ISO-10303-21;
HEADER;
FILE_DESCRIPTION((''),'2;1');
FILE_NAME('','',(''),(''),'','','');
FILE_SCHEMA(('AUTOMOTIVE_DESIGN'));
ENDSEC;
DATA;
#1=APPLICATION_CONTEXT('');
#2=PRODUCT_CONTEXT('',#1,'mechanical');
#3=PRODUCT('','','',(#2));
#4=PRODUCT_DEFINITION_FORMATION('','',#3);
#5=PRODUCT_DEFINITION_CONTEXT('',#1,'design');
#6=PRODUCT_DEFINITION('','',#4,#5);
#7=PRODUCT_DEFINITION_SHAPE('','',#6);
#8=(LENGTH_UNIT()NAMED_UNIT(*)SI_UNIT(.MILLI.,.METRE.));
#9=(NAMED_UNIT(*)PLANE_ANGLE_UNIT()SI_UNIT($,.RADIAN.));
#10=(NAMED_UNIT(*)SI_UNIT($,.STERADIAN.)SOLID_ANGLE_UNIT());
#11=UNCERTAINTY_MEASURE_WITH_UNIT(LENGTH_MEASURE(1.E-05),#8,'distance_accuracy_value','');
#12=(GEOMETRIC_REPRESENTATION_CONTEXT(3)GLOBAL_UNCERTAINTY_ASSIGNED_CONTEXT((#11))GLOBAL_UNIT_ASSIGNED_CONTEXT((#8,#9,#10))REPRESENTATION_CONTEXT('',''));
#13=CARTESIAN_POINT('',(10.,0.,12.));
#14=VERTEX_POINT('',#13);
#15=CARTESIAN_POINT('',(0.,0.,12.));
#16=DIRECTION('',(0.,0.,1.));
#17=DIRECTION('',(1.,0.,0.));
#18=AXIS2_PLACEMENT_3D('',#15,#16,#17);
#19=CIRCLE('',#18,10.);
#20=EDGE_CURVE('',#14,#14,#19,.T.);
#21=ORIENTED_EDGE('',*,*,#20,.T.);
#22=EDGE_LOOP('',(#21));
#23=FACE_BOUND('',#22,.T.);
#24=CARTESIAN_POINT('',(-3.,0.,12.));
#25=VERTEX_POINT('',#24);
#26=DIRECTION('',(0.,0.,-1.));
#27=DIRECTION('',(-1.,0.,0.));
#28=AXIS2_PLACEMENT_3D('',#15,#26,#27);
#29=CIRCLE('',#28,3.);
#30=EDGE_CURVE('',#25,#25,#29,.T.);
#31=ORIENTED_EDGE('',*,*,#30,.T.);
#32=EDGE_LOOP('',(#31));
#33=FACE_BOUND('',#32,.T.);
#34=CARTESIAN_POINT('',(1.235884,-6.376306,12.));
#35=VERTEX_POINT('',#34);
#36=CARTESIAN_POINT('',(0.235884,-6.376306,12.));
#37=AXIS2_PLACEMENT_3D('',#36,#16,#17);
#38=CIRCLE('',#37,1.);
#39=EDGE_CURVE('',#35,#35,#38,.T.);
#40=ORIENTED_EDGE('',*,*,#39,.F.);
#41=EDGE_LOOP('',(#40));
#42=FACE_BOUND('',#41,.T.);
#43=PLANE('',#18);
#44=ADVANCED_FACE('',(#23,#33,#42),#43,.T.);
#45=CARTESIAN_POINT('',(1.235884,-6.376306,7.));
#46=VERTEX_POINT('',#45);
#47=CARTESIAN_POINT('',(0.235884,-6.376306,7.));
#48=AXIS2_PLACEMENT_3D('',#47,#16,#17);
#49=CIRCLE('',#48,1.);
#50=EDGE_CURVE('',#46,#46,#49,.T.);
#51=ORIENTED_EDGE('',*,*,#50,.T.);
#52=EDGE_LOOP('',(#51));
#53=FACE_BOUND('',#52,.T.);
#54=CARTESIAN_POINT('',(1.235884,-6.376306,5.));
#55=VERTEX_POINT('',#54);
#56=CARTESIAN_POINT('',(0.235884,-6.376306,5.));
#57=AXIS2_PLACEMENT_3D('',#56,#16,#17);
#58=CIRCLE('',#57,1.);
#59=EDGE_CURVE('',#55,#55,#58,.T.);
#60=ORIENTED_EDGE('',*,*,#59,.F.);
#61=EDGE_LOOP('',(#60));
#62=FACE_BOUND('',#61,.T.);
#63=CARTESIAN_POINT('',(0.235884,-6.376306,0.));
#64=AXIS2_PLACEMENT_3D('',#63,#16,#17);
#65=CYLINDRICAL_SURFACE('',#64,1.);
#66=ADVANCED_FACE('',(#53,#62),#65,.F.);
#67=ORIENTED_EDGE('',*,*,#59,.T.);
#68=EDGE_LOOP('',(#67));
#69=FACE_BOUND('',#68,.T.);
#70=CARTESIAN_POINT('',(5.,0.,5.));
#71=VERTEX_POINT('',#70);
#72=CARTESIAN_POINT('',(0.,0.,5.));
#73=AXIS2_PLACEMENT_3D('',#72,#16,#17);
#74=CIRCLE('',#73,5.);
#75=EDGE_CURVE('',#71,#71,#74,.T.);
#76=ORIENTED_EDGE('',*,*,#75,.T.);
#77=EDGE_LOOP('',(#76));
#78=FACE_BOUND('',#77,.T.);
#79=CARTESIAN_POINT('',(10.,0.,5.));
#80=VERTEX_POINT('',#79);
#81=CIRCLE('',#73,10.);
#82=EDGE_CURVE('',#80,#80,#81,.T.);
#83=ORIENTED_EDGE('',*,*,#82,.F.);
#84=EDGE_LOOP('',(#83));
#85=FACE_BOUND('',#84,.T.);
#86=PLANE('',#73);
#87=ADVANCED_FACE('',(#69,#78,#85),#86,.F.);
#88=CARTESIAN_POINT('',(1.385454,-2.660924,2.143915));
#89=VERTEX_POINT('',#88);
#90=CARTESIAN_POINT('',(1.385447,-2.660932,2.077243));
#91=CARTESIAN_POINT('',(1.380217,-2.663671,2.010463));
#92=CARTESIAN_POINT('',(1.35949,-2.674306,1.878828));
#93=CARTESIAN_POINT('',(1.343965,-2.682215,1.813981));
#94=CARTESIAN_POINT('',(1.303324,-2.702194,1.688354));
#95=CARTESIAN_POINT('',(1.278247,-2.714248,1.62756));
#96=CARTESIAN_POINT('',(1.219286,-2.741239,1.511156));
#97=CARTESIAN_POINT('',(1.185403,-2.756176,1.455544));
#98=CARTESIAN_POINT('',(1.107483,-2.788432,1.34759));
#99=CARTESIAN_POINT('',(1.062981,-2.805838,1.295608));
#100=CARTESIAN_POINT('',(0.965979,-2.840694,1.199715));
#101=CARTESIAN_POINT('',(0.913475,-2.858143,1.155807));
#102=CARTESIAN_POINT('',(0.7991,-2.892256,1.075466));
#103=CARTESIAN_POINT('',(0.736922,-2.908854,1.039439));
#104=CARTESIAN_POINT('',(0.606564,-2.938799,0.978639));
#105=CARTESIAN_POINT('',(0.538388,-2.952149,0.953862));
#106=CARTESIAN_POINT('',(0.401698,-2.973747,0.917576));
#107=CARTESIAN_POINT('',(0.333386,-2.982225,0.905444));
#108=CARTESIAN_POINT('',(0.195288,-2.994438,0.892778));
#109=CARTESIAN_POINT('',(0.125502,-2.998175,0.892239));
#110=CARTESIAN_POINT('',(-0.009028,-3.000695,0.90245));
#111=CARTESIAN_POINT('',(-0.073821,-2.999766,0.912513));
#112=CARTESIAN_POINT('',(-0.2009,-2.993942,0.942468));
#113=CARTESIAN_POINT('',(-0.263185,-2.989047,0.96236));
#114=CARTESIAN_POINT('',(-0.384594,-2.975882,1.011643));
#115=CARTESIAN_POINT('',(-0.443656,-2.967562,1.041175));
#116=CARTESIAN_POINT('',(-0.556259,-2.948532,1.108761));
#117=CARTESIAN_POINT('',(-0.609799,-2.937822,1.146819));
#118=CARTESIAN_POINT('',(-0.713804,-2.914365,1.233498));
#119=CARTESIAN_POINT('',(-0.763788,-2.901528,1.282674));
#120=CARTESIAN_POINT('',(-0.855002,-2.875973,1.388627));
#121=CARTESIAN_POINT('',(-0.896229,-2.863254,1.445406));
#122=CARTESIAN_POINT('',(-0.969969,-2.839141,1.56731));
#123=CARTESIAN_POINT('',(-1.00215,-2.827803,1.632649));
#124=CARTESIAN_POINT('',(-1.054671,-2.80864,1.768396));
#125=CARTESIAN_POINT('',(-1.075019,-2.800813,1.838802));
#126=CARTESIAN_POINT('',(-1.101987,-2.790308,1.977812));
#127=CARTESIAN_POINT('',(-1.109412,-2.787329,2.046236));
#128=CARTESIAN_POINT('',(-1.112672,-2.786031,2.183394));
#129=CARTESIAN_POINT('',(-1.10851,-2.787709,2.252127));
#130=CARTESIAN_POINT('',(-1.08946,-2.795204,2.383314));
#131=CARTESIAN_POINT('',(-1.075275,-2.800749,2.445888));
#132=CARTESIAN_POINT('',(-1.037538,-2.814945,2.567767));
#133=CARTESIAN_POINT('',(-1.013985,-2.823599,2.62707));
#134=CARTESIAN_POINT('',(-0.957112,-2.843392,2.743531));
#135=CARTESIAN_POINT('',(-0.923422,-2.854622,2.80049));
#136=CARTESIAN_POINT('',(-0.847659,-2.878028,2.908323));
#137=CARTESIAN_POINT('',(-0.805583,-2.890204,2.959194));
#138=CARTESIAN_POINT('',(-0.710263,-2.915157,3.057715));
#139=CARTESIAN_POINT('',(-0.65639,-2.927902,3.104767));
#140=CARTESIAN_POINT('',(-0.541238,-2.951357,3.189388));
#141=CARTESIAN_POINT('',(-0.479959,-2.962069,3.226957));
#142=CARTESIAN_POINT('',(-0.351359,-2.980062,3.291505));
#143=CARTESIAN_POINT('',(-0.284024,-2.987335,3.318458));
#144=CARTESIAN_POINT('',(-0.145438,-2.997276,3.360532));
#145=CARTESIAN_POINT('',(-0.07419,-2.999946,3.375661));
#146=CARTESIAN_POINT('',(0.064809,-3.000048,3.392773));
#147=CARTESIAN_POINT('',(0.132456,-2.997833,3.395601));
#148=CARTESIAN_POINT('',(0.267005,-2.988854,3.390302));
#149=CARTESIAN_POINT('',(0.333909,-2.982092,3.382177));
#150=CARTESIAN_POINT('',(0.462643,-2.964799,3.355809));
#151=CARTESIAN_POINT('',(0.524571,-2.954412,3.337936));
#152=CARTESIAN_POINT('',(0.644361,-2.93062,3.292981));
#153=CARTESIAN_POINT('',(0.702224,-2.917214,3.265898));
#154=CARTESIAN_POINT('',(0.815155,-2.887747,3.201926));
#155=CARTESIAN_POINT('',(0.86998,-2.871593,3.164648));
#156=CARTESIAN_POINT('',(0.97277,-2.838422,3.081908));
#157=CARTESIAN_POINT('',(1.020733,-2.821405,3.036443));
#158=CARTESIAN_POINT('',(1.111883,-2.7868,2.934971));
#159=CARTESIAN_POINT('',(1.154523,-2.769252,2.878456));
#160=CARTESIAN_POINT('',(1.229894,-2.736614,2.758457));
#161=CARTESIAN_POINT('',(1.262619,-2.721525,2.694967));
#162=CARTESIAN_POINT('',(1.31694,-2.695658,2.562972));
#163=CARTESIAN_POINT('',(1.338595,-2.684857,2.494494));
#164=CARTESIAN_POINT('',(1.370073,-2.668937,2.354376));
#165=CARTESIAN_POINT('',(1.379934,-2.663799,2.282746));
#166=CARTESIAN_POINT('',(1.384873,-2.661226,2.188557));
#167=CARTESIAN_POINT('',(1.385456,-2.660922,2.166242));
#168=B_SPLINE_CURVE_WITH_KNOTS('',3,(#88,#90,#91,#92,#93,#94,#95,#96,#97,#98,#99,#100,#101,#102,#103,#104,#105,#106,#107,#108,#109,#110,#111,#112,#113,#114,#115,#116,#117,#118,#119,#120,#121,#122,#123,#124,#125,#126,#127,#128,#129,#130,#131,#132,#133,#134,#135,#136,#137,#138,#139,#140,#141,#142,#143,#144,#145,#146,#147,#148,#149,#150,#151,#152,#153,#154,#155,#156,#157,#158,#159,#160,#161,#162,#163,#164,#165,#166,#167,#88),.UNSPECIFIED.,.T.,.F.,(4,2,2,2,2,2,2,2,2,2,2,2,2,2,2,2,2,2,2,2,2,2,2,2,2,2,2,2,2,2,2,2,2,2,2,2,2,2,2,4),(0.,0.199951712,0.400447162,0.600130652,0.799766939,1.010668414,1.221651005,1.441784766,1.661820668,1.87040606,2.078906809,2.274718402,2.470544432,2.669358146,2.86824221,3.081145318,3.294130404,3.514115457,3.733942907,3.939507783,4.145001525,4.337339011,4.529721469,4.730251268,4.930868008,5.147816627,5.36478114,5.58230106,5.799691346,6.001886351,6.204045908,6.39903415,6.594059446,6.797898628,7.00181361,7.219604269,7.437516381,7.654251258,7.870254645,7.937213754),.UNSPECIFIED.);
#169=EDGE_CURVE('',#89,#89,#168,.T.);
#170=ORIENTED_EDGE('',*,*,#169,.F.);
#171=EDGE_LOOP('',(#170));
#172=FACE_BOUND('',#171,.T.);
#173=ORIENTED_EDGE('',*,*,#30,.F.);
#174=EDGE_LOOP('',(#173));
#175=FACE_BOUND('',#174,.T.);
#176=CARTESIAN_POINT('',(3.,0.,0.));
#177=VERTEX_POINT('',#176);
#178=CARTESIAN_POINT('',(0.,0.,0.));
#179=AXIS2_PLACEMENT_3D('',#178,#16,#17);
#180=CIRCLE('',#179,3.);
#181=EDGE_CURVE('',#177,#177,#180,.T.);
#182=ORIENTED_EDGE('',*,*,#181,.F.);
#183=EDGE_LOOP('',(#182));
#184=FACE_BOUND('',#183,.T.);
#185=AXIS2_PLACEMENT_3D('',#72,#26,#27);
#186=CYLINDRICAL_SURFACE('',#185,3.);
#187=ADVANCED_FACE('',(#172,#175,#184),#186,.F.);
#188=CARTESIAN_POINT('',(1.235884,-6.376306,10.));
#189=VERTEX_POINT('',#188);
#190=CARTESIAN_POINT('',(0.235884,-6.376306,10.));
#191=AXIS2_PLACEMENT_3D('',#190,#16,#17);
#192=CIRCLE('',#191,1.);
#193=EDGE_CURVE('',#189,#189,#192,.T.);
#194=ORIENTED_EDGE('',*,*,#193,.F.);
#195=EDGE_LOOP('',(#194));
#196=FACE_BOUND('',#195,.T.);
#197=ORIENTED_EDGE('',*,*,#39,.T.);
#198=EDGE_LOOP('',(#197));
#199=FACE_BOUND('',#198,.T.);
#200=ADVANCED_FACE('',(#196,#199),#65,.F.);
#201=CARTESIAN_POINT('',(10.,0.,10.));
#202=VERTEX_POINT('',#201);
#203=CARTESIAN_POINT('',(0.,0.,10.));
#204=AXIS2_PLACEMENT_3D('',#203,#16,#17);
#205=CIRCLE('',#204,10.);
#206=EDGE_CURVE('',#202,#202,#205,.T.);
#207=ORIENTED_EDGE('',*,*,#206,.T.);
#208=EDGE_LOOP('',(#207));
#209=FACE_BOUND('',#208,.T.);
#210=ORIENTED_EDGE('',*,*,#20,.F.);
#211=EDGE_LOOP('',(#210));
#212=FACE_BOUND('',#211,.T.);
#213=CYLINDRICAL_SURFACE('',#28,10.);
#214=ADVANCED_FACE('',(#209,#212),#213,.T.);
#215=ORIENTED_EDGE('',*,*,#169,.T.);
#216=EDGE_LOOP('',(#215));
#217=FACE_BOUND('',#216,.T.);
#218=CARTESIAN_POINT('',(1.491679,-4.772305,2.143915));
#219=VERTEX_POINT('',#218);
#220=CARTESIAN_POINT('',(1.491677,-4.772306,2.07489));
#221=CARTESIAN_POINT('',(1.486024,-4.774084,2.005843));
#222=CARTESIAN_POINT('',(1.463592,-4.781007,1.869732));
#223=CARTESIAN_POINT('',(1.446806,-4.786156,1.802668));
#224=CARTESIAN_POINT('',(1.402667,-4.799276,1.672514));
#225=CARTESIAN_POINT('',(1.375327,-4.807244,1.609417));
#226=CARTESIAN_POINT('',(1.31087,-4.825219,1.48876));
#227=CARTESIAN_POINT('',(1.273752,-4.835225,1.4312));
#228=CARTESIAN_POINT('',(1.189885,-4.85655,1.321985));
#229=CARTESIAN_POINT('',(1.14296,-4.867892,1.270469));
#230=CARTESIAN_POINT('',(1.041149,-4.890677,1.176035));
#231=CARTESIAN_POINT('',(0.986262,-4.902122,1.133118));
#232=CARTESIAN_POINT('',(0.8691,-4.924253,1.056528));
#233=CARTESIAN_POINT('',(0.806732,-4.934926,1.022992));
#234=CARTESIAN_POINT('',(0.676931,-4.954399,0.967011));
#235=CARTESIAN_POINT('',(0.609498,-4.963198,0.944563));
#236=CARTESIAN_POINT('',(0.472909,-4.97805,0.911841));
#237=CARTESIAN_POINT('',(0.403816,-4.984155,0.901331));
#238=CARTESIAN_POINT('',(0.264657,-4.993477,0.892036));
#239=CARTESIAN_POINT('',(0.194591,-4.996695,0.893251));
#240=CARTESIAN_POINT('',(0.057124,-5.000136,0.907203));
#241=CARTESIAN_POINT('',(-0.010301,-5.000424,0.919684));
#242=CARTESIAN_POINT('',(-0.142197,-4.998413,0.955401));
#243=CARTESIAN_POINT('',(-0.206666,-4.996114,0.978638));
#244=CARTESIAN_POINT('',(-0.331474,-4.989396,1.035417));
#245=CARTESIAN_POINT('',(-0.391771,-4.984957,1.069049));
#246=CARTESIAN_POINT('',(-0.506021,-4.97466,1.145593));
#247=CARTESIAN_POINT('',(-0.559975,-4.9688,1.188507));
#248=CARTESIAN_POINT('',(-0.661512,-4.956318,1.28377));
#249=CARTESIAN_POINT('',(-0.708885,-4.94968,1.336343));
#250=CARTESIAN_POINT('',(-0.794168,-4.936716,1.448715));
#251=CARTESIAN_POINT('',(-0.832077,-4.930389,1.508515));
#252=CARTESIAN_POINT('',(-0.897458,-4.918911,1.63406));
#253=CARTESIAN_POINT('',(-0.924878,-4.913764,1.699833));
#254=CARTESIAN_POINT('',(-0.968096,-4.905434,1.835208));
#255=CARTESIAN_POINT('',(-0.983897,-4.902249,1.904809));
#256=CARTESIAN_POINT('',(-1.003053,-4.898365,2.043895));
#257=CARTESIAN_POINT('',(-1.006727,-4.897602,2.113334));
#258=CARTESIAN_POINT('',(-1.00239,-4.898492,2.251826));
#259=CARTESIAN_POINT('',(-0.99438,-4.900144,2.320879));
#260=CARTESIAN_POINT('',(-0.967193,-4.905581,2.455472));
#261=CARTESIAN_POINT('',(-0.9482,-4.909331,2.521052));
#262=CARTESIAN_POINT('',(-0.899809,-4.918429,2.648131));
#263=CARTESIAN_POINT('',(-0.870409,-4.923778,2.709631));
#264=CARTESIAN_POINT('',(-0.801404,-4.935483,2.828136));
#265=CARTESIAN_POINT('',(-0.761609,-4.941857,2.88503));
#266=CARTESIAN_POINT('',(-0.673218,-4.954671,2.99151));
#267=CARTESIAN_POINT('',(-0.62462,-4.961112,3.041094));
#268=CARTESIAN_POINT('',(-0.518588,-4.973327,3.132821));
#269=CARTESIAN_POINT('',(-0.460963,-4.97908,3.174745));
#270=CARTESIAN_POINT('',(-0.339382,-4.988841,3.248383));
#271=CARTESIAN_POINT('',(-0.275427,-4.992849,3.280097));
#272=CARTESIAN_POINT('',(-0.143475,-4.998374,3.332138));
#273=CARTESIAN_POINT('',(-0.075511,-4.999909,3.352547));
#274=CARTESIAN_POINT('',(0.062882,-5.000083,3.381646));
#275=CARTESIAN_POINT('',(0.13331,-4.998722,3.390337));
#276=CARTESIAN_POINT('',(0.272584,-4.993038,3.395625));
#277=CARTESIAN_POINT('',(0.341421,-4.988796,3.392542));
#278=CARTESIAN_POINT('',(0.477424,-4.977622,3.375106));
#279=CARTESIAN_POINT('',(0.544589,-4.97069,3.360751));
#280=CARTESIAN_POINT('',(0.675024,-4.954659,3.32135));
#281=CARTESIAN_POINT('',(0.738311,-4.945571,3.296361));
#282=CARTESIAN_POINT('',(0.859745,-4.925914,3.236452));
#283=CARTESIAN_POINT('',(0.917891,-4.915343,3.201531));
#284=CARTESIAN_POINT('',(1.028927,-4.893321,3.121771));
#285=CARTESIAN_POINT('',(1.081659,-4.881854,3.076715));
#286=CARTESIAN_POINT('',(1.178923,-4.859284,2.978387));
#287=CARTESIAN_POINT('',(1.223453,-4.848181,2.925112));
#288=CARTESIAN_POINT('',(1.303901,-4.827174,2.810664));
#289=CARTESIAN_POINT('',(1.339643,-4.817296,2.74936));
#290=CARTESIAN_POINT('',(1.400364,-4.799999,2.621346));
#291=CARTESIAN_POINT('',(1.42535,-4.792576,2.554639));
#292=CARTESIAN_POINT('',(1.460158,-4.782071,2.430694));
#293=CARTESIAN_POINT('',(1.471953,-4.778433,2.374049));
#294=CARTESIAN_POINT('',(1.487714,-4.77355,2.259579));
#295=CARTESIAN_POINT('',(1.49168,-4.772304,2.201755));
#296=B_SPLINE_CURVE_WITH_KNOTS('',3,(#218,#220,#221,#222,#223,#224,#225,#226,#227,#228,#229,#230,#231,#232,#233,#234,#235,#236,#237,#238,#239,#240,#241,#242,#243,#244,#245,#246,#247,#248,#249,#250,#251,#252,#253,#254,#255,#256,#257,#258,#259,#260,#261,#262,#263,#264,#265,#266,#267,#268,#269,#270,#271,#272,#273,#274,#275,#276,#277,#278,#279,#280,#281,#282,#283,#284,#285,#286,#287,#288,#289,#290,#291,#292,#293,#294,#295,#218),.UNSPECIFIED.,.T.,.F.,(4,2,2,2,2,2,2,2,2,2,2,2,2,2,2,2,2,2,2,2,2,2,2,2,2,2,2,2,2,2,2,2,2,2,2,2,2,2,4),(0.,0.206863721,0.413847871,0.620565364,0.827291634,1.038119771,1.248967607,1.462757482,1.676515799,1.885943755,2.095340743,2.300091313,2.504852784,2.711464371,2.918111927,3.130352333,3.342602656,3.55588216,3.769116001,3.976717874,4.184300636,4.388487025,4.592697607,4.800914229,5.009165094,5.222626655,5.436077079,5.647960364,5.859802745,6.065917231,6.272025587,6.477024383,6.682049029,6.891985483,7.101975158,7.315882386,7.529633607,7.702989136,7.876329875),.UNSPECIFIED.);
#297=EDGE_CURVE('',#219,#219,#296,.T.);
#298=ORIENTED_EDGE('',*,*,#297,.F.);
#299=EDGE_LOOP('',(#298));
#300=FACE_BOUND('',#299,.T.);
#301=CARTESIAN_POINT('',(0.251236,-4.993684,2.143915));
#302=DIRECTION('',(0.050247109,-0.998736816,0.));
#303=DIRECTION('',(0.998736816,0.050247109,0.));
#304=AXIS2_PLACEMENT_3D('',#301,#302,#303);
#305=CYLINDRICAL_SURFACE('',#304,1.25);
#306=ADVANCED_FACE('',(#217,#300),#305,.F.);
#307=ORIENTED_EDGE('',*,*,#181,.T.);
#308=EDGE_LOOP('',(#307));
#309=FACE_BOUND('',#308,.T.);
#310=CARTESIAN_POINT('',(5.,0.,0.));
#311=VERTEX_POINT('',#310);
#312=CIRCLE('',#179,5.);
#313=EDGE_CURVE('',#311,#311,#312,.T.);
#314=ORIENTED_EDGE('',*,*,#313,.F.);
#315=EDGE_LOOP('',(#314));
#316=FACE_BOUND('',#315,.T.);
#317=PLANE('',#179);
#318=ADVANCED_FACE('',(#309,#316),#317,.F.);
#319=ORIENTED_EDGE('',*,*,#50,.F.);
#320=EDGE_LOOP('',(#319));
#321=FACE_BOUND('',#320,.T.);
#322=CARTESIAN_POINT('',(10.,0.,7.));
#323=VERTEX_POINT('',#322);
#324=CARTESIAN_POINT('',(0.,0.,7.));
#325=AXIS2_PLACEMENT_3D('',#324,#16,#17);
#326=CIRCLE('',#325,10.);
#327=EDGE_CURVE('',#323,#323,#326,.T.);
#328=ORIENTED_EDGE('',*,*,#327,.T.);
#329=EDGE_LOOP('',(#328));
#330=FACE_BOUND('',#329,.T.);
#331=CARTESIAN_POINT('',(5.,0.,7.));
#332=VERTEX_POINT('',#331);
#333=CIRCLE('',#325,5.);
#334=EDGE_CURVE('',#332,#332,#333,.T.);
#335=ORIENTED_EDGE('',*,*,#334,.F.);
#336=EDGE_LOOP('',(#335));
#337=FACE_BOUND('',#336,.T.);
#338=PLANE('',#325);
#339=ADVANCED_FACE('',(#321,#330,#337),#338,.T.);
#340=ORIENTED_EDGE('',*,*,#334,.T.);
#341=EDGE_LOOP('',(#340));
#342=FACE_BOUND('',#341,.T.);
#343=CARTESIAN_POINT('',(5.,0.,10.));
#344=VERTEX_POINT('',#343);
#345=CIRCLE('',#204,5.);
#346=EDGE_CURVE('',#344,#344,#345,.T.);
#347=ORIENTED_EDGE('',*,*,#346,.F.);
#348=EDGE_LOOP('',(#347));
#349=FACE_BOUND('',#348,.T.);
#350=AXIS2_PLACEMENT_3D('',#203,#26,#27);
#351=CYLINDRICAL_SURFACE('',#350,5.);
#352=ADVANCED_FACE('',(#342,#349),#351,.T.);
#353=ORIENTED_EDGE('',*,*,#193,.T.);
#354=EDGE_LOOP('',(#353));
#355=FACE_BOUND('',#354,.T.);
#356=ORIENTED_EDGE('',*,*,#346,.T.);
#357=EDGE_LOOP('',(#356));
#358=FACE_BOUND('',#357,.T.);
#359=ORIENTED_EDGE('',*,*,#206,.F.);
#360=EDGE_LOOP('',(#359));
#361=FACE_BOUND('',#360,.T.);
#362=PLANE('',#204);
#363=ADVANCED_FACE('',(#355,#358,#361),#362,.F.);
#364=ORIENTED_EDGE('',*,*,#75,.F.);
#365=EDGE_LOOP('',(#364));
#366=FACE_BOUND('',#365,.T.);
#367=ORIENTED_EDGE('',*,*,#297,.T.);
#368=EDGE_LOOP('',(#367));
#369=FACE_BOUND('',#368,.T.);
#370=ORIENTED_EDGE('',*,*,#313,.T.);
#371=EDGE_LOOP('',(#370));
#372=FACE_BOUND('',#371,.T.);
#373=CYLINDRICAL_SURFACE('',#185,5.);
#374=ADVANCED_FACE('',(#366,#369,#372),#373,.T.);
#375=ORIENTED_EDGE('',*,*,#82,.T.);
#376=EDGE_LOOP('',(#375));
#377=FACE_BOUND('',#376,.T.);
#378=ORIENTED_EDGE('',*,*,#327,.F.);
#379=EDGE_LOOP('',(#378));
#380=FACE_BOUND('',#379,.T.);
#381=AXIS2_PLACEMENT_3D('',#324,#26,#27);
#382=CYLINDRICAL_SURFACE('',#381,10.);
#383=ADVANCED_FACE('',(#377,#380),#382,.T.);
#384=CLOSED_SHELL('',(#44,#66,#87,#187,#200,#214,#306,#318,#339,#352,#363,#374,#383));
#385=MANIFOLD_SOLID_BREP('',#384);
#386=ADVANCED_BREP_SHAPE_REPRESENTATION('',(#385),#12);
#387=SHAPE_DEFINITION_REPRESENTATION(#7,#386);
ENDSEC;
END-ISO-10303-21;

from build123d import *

# Parameters (mm, degrees)
SKETCH_1_R          = 5
SKETCH_1_R_2        = 3
EXTRUDE_1_DEPTH     = 5
SKETCH_2_R          = 10
SKETCH_2_R_2        = 3
EXTRUDE_2_DEPTH     = 2
SKETCH_3_R          = 5
EXTRUDE_3_DEPTH     = 3
SKETCH_4_R          = 10
EXTRUDE_4_DEPTH     = 2
SKETCH_5_R          = 3
CUT_EXTRUDE_1_DEPTH = 16.779733838
M3X0_5_1_REACH      = 22.665
M3X0_5_1_BORE_R     = 1.25
SKETCH_7_R          = 1
CUT_EXTRUDE_2_DEPTH = 19.547237056


with BuildPart() as part:
    # ｽｹｯﾁ1 → ﾎﾞｽ - 押し出し1 (new body)
    with BuildSketch(Plane.XY):
        Circle(SKETCH_1_R)
        Circle(SKETCH_1_R_2, mode=Mode.SUBTRACT)
    extrude(amount=EXTRUDE_1_DEPTH)

    # ｽｹｯﾁ2 → ﾎﾞｽ - 押し出し2 (add)
    with BuildSketch(Plane.XY.offset(5)):
        Circle(SKETCH_2_R)
        Circle(SKETCH_2_R_2, mode=Mode.SUBTRACT)
    extrude(amount=EXTRUDE_2_DEPTH)

    # ｽｹｯﾁ3 → ﾎﾞｽ - 押し出し3 (add)
    with BuildSketch(Plane.XY.offset(7)):
        Circle(SKETCH_3_R)
    extrude(amount=EXTRUDE_3_DEPTH)

    # ｽｹｯﾁ4 → ﾎﾞｽ - 押し出し4 (add)
    with BuildSketch(Plane.XY.offset(10)):
        Circle(SKETCH_4_R)
    extrude(amount=EXTRUDE_4_DEPTH)

    # ｽｹｯﾁ5 → ｶｯﾄ - 押し出し1 (cut, through all)
    with BuildSketch(Plane(origin=(0, 0, 7), x_dir=(-1, 0, 0), z_dir=(0, 0, -1))):
        Circle(SKETCH_5_R)
    extrude(amount=-CUT_EXTRUDE_1_DEPTH, mode=Mode.SUBTRACT)

    # M3x0.5 ねじ穴1 bore (on position points) → M3x0.5 ねじ穴1 (cut, up to next)
    with BuildSketch(Plane(origin=(0.251235543, -4.993684081, 2.143915345), x_dir=(-0.998736816219, -0.050247108654, 0), z_dir=(0.050247108654, -0.998736816219, 0)), mode=Mode.PRIVATE) as m3x0_5_1_sk1:
        Circle(M3X0_5_1_BORE_R)
    m3x0_5_1_tool1 = extrude(m3x0_5_1_sk1.sketch, amount=-M3X0_5_1_REACH, mode=Mode.PRIVATE) & part.part
    add(m3x0_5_1_tool1.solids().sort_by_distance((0.251236, -4.993684, 2.143915))[0], mode=Mode.SUBTRACT)

    # ｽｹｯﾁ7 → ｶｯﾄ - 押し出し2 (cut, through all)
    with BuildSketch(Plane.XY.offset(12)):
        with Locations((0.235884413, -6.376305987)):
            Circle(SKETCH_7_R)
    extrude(amount=-CUT_EXTRUDE_2_DEPTH, mode=Mode.SUBTRACT)


solid = part.part
